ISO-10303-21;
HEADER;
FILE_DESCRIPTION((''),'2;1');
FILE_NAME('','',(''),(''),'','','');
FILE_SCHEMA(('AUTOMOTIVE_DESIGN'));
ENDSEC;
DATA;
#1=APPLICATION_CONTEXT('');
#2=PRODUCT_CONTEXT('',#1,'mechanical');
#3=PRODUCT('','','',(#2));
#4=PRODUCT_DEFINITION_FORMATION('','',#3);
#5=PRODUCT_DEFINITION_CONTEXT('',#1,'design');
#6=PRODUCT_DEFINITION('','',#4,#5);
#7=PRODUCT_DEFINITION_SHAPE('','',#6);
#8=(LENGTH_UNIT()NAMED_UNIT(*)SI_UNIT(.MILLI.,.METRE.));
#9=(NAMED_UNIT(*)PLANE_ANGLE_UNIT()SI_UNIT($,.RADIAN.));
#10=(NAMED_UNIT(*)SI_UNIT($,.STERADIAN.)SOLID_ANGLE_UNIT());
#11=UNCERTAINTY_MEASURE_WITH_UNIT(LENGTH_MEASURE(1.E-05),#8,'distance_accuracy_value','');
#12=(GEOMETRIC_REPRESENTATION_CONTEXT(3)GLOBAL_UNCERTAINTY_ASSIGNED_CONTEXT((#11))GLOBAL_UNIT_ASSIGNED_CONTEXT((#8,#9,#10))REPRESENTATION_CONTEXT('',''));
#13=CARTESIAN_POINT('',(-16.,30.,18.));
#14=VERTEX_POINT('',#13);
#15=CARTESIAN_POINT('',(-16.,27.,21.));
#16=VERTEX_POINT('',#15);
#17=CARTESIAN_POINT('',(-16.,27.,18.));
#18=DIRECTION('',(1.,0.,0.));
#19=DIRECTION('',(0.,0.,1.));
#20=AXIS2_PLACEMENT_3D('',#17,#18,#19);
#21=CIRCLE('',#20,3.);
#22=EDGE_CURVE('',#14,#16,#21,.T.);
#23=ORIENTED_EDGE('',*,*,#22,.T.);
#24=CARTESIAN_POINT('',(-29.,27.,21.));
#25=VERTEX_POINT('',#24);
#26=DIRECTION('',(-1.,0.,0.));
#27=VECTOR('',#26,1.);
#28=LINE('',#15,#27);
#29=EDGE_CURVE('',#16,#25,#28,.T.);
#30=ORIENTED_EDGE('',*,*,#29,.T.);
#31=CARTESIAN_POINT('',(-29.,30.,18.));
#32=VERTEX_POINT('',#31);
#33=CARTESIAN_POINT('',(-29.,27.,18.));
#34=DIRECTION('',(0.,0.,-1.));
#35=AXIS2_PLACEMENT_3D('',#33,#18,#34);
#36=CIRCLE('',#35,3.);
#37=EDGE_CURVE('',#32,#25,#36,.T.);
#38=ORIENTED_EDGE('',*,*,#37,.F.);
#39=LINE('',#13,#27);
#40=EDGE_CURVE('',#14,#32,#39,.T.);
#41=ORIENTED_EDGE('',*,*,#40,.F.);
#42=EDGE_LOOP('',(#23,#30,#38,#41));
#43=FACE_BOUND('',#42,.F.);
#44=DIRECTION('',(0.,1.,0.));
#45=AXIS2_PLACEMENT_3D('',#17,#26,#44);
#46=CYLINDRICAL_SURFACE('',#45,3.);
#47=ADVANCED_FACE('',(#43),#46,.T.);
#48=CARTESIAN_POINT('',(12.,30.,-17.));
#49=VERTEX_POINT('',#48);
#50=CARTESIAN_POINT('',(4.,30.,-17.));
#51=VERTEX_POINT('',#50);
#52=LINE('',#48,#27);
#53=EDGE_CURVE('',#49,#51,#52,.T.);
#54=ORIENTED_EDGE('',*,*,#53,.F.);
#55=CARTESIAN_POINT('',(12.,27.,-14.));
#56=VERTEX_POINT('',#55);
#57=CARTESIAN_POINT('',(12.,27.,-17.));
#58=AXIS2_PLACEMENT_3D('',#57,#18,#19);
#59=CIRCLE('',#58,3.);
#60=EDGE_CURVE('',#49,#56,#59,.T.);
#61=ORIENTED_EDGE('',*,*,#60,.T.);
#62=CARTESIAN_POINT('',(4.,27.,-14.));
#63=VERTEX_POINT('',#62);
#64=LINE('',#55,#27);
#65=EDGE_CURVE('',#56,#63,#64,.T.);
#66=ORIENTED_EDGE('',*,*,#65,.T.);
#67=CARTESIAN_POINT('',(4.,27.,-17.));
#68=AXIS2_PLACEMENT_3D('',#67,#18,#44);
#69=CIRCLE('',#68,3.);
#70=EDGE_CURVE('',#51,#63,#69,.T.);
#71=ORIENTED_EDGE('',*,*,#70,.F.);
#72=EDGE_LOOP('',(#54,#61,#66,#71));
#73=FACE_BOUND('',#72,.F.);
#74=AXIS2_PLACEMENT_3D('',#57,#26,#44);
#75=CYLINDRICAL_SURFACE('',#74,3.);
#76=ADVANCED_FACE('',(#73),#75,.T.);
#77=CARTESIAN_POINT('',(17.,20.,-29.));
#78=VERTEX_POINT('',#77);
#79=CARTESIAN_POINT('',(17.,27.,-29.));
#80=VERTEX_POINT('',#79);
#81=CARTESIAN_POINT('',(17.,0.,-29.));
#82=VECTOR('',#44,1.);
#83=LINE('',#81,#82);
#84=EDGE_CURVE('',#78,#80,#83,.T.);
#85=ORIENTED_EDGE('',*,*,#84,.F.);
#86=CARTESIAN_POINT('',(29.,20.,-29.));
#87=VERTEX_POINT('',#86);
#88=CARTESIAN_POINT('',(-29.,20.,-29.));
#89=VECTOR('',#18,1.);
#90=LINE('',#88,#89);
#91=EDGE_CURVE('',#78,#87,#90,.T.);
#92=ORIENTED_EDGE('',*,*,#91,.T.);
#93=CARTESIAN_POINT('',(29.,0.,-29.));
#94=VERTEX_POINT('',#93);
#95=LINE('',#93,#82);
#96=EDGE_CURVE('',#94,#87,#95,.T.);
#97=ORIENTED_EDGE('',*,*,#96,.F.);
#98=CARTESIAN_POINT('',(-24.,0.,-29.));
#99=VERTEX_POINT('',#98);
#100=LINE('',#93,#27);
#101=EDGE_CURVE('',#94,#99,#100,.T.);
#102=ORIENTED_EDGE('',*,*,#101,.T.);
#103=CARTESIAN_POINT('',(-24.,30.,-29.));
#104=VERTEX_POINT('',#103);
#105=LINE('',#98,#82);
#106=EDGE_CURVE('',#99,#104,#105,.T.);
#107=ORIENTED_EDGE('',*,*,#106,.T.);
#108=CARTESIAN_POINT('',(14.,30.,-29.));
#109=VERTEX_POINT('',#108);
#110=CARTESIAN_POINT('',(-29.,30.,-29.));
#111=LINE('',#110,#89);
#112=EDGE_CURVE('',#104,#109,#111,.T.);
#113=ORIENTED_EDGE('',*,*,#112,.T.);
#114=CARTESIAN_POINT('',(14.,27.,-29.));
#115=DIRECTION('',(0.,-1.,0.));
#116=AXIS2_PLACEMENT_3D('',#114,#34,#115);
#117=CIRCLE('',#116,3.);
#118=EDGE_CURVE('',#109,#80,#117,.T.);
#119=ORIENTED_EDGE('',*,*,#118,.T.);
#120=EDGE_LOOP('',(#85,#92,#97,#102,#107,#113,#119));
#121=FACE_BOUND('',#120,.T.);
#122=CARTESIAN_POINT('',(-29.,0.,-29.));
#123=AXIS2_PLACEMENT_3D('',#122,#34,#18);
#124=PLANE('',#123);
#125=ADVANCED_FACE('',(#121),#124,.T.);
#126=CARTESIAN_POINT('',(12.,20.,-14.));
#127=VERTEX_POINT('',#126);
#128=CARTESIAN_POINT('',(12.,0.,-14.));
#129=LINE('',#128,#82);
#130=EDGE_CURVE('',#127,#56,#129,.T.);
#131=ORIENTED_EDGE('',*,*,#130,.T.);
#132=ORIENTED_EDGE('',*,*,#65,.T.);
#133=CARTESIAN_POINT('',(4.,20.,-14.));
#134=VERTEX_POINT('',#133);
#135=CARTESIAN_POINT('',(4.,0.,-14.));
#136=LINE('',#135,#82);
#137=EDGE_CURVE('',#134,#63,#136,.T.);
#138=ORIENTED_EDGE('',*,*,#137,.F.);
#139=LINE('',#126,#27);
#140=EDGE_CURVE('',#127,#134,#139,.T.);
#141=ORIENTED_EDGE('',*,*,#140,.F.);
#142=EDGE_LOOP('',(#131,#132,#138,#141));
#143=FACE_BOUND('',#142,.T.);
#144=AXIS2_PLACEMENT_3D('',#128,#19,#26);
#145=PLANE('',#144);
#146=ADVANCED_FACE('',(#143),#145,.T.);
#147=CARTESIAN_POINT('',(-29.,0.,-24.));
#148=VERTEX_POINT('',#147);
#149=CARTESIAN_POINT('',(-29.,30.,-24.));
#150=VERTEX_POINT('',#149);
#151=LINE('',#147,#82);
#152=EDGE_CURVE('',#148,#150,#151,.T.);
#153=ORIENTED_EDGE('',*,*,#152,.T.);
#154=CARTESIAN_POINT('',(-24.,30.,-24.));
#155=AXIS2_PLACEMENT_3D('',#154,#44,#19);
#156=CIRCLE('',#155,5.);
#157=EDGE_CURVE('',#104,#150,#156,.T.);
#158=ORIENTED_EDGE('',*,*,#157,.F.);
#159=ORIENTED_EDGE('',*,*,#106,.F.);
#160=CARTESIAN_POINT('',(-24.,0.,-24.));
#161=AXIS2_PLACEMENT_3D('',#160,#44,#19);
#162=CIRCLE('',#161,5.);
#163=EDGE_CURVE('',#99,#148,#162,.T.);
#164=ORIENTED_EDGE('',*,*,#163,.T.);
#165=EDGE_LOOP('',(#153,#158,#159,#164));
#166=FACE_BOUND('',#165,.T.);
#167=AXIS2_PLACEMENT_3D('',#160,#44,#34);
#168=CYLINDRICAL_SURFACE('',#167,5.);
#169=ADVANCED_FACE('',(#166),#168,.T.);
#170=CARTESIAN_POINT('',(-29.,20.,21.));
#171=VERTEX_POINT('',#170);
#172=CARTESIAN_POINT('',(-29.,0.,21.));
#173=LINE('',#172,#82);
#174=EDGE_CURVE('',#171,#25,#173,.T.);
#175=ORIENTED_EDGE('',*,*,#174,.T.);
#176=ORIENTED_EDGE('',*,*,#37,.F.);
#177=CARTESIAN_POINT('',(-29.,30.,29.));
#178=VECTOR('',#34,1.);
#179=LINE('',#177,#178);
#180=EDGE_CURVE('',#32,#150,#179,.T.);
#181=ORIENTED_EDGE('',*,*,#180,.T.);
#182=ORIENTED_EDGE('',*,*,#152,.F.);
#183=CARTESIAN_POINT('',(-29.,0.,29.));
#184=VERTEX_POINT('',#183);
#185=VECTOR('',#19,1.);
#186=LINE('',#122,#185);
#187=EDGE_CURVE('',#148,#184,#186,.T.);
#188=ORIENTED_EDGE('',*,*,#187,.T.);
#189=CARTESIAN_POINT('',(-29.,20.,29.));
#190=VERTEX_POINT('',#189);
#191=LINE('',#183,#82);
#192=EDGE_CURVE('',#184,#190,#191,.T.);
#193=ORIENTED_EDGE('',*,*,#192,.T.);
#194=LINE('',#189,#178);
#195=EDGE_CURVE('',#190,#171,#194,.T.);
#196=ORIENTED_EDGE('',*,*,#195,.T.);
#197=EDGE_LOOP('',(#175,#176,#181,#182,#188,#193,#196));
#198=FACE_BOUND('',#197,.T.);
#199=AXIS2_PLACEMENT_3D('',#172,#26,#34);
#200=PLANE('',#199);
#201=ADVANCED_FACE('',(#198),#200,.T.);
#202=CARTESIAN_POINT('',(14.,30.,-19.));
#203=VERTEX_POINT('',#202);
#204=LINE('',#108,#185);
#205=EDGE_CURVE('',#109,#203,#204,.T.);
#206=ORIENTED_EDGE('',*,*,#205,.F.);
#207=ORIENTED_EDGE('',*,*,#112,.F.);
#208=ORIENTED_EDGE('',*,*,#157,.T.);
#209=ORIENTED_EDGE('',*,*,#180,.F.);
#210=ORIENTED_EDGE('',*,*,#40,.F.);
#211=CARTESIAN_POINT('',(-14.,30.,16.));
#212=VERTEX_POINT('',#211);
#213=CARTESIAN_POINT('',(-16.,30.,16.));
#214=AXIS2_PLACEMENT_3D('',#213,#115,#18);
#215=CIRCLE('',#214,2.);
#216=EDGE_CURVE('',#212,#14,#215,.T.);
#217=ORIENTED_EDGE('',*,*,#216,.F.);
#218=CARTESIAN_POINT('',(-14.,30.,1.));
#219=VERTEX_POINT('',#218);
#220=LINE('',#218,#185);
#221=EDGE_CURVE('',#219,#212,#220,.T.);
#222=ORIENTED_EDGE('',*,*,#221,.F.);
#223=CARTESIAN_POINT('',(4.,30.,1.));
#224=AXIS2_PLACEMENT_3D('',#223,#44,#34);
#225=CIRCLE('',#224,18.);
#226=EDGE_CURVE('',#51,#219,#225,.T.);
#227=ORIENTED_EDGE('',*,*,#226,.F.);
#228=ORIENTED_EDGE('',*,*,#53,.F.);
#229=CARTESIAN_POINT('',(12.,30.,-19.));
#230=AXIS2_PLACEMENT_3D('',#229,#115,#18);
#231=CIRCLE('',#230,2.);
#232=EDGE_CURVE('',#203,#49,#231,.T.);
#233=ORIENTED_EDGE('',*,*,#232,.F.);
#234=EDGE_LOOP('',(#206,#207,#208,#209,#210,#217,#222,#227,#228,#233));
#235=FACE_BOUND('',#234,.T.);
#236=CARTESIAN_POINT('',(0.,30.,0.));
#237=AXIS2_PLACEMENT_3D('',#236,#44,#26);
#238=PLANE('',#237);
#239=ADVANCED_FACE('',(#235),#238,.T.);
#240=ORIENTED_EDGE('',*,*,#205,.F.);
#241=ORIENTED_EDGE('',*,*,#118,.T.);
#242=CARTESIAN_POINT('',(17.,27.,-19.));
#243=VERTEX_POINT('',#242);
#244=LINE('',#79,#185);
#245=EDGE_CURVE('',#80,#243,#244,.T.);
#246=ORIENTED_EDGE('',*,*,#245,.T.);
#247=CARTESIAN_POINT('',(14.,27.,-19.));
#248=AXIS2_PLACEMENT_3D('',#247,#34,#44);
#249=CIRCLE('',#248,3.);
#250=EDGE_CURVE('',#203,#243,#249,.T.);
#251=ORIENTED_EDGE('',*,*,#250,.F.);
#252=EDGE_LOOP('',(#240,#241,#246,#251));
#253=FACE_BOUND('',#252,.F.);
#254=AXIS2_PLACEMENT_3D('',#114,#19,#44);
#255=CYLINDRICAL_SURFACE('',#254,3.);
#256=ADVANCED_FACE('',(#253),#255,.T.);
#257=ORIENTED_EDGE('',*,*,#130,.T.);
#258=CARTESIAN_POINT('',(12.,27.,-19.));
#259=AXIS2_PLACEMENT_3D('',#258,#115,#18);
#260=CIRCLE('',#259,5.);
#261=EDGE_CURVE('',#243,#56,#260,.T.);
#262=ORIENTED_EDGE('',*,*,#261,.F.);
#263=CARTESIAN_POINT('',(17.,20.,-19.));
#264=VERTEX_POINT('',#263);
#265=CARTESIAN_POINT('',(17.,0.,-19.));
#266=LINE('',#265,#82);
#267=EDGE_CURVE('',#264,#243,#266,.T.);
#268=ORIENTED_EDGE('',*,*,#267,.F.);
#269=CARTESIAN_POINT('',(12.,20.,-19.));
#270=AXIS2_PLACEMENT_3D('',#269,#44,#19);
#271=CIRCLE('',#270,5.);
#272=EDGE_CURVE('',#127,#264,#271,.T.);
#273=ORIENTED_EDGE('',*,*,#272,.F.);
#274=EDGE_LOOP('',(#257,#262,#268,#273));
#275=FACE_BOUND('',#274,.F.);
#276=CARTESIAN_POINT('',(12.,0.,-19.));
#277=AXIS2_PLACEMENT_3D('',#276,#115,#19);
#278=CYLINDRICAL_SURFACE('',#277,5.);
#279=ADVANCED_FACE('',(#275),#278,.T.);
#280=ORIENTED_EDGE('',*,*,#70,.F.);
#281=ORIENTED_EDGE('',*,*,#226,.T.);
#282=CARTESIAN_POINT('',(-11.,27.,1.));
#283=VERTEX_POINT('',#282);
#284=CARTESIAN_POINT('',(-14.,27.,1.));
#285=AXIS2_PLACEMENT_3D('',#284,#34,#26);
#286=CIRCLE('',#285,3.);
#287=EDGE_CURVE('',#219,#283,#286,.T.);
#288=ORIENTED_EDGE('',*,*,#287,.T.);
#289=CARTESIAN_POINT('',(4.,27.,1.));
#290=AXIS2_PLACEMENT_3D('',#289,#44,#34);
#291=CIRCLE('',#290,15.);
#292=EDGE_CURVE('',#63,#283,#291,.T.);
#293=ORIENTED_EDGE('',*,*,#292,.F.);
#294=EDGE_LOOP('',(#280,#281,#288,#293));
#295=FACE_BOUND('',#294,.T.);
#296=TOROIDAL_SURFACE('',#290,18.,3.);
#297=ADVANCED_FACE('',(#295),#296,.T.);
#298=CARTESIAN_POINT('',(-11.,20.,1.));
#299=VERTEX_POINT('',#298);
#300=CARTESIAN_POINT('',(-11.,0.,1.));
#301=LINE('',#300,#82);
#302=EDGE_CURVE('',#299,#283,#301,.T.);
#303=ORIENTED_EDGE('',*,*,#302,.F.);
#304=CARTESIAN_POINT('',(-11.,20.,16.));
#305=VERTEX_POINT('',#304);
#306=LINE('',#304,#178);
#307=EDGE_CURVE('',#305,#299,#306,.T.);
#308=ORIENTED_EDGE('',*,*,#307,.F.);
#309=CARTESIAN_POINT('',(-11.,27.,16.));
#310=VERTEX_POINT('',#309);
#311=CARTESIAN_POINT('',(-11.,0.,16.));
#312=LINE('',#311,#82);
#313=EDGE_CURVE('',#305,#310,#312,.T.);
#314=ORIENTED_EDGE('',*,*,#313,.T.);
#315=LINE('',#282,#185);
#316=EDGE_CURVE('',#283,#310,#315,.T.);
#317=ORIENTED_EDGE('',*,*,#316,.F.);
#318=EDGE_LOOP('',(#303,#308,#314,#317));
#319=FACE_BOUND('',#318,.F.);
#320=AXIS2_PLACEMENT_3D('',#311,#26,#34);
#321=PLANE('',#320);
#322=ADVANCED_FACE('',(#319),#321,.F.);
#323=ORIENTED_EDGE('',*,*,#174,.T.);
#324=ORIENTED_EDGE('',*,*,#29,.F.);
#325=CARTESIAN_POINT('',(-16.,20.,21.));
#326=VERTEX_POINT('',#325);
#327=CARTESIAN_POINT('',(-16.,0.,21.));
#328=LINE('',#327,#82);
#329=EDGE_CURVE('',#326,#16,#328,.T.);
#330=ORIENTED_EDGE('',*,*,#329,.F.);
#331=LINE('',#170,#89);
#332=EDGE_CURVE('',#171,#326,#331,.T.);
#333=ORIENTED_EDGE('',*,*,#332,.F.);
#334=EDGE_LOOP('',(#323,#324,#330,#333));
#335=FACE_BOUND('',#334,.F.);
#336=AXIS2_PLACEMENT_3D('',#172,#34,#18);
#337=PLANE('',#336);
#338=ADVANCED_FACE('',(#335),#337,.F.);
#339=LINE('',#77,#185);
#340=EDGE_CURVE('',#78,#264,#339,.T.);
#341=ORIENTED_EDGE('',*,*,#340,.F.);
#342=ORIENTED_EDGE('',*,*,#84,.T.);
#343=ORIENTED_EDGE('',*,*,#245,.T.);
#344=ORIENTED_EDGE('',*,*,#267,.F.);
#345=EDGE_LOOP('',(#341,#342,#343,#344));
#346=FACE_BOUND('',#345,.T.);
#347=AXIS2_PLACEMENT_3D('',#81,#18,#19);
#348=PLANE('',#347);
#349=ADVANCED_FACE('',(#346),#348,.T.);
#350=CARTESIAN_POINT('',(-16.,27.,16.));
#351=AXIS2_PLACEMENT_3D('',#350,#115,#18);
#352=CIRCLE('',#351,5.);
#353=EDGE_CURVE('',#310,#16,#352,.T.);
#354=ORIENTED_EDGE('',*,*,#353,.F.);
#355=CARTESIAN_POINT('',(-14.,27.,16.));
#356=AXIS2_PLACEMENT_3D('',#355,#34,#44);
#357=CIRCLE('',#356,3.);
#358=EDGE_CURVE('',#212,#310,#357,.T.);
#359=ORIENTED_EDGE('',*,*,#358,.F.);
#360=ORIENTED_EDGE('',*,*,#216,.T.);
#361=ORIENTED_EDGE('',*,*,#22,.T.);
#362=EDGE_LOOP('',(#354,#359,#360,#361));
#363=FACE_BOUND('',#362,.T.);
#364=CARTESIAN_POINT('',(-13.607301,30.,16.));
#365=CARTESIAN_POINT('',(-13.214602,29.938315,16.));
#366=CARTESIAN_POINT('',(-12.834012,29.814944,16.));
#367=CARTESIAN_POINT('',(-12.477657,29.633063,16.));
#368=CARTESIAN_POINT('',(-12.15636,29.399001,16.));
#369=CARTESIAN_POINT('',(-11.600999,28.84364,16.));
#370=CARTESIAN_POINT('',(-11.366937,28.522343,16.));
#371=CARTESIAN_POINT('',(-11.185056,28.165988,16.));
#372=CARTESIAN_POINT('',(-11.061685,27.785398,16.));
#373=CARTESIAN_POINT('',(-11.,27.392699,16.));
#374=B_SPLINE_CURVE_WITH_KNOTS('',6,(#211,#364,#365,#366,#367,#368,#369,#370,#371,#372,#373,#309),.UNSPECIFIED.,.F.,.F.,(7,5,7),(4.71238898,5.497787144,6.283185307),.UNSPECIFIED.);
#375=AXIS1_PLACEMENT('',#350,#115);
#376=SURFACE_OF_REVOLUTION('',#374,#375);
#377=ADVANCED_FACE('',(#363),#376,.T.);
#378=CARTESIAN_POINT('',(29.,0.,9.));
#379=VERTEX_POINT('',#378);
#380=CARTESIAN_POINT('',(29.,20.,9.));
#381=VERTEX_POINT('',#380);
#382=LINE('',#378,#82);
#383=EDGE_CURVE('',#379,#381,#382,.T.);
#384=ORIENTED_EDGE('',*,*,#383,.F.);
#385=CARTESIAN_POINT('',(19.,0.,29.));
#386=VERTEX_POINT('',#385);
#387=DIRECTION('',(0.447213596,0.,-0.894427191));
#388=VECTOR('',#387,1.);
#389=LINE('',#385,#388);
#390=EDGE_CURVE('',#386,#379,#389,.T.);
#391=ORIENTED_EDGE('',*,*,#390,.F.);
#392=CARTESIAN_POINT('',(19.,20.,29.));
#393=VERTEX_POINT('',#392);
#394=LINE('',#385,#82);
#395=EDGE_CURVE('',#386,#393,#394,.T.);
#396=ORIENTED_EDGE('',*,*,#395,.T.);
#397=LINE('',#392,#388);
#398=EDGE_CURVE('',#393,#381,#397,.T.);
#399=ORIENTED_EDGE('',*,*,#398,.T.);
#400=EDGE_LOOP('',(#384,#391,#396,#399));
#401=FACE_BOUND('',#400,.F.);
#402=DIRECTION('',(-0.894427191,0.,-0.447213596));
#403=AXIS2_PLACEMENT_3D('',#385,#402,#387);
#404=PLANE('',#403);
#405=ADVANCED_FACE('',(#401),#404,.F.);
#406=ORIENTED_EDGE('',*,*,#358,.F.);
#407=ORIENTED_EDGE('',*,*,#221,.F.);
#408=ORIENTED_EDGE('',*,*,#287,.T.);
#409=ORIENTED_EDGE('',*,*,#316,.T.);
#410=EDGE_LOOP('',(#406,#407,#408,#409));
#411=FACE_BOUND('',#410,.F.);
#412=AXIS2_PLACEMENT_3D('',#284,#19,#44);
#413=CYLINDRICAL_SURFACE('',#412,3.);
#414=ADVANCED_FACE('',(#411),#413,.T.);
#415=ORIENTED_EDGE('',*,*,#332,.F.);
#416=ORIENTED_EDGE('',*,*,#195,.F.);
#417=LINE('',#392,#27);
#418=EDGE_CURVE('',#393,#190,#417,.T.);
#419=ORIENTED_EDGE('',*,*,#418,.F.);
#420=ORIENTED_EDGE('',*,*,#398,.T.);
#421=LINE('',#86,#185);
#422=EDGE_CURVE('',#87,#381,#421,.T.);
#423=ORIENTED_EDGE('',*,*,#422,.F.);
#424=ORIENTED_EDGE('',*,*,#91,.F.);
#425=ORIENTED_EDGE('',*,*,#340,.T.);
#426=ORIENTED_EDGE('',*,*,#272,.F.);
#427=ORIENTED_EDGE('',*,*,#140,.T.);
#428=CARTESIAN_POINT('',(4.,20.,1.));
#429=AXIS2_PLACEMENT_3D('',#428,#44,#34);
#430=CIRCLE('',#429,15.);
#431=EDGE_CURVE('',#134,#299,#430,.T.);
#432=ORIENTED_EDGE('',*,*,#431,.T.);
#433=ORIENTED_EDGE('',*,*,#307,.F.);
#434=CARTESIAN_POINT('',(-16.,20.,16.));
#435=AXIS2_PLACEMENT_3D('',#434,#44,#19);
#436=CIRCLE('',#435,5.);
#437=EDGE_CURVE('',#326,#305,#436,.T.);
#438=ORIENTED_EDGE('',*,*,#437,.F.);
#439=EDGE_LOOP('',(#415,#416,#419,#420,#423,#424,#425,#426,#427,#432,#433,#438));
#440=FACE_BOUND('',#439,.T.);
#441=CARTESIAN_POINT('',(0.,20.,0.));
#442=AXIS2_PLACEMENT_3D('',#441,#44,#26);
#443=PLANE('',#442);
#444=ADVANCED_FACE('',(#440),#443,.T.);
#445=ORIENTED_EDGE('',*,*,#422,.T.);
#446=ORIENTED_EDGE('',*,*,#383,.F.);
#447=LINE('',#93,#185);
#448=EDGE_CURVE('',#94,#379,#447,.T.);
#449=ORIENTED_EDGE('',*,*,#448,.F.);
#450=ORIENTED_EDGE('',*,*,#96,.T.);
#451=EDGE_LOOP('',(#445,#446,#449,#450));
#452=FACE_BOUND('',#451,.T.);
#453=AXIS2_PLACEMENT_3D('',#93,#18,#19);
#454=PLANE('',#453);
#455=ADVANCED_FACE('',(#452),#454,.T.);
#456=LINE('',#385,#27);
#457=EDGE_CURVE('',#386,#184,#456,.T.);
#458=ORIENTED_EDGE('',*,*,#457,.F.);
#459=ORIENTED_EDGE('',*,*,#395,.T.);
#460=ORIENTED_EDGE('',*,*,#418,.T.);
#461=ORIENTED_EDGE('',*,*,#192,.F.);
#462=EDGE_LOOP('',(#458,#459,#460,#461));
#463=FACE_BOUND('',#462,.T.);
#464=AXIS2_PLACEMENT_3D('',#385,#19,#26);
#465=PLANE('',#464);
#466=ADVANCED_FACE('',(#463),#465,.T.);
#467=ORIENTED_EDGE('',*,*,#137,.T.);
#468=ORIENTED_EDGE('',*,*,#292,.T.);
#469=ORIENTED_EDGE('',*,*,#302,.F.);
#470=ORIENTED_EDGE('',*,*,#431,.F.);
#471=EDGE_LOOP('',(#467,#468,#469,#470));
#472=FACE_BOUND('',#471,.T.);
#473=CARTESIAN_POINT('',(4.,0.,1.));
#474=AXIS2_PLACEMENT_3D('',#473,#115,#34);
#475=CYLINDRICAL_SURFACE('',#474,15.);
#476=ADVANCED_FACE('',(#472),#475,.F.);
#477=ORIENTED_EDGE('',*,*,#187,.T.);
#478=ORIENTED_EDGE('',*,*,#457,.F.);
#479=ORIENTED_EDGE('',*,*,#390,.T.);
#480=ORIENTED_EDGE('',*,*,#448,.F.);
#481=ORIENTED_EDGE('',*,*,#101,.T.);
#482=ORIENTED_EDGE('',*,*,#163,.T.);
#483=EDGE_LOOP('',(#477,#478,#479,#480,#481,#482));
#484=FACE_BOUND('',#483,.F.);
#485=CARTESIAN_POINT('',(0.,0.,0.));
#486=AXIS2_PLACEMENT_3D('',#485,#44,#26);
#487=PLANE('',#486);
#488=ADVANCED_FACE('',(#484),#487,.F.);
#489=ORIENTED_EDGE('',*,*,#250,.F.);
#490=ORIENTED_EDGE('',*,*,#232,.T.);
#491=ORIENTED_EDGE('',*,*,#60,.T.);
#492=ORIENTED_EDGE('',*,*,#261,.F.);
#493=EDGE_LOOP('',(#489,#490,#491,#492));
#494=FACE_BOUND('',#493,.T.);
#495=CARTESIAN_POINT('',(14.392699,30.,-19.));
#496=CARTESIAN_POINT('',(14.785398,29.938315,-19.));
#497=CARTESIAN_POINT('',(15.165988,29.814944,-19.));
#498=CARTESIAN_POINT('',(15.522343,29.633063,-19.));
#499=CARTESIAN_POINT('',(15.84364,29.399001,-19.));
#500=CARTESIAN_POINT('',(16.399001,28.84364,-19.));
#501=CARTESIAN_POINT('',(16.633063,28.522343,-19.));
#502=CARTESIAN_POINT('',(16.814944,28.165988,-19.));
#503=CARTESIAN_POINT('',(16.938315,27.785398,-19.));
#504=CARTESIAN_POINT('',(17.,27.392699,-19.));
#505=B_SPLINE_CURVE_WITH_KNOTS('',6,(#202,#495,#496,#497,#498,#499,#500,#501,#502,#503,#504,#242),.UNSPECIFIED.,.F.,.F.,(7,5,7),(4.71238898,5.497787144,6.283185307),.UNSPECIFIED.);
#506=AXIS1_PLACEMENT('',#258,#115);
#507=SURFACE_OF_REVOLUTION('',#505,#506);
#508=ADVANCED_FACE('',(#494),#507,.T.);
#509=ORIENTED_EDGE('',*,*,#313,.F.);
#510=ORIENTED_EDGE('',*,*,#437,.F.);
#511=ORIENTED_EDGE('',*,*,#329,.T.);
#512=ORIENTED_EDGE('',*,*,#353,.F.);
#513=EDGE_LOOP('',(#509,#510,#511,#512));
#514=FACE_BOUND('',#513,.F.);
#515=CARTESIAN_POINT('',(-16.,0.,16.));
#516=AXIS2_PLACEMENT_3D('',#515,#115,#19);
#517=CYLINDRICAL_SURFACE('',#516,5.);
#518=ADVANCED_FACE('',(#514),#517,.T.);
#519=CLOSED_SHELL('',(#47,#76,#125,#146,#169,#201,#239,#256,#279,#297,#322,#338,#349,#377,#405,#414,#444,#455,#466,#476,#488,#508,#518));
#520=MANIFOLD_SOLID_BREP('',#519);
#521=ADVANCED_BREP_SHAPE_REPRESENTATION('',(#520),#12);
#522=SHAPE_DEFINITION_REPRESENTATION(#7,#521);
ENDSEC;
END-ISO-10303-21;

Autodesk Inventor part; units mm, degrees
ref_plane "YZ Plane" through (0, 0, 0) normal (1, 0, 0) x (0, 1, 0)
ref_plane "XZ Plane" through (0, 0, 0) normal (0, 1, 0) x (-1, 0, 0)
ref_plane "XY Plane" through (0, 0, 0) normal (0, 0, 1) x (1, 0, 0)
sketch "Schizzo11" plane through (0, 0, 0) normal (0, 1, 0) x (-1, 0, 0)
  line L0 (29, -29) -> (-29, -29)
  line L1 (-29, -29) -> (-29, 9)
  line L2 (-19, 29) -> (29, 29)
  line L3 (29, 29) -> (29, -29)
  line L4 (29, -29) -> (-29, 29) construction
  line L5 (-29, -29) -> (29, 29) construction
  line L6 (29, -29) -> (29, 21)
  line L7 (29, 21) -> (16, 21)
  line L8 (11, 16) -> (11, 1)
  line L9 (29, -29) -> (-17, -29)
  line L10 (-17, -29) -> (-17, -19)
  line L11 (-12, -14) -> (-4, -14)
  arc A0 (-4, -14) -> (11, 1) centre (-4, 1) ccw
  arc A1 (16, 21) -> (11, 16) centre (16, 16) ccw
  arc A2 (-12, -14) -> (-17, -19) centre (-12, -19) ccw
  line L12 (-19, 29) -> (-29, 9)
  point P0 (0, 0)
  point P1 (11, 21)
  point P2 (11, -14)
  point P3 (-17, -14)
  dimension "d28" = 58
  dimension "d29" = 58
  dimension "d30" = 50
  dimension "d31" = 18
  dimension "d32" = 35
  dimension "d33" = 46
  dimension "d34" = 15
  dimension "d35" = 15
  dimension "d36" = 5
  dimension "d37" = 5
  dimension "d38" = 10
  dimension "d39" = 20
extrude "Estrusione6" add sketch "Schizzo11" along normal blind 30 contours L0 L10 A2 L11 A0 L8 A1 L7 L3
extrude "Estrusione7" add sketch "Schizzo11" along normal blind 20 contours L0 L1 L12 L2 L3 L7 A1 L8 A0 L11 A2 L10
fillet "Raccordo3" radius 3 7 edges at (8, 30, -14) (15.5355, 30, -15.4645) (17, 30, -24) (-11, 30, 8.5) (-12.4645, 30, 19.5355) (-22.5, 30, 21) (-6.6066, 30, -9.6066)
fillet "Raccordo4" radius 5 1 edges at (-29, 15, -29)
properties part number "primo esercizio"
